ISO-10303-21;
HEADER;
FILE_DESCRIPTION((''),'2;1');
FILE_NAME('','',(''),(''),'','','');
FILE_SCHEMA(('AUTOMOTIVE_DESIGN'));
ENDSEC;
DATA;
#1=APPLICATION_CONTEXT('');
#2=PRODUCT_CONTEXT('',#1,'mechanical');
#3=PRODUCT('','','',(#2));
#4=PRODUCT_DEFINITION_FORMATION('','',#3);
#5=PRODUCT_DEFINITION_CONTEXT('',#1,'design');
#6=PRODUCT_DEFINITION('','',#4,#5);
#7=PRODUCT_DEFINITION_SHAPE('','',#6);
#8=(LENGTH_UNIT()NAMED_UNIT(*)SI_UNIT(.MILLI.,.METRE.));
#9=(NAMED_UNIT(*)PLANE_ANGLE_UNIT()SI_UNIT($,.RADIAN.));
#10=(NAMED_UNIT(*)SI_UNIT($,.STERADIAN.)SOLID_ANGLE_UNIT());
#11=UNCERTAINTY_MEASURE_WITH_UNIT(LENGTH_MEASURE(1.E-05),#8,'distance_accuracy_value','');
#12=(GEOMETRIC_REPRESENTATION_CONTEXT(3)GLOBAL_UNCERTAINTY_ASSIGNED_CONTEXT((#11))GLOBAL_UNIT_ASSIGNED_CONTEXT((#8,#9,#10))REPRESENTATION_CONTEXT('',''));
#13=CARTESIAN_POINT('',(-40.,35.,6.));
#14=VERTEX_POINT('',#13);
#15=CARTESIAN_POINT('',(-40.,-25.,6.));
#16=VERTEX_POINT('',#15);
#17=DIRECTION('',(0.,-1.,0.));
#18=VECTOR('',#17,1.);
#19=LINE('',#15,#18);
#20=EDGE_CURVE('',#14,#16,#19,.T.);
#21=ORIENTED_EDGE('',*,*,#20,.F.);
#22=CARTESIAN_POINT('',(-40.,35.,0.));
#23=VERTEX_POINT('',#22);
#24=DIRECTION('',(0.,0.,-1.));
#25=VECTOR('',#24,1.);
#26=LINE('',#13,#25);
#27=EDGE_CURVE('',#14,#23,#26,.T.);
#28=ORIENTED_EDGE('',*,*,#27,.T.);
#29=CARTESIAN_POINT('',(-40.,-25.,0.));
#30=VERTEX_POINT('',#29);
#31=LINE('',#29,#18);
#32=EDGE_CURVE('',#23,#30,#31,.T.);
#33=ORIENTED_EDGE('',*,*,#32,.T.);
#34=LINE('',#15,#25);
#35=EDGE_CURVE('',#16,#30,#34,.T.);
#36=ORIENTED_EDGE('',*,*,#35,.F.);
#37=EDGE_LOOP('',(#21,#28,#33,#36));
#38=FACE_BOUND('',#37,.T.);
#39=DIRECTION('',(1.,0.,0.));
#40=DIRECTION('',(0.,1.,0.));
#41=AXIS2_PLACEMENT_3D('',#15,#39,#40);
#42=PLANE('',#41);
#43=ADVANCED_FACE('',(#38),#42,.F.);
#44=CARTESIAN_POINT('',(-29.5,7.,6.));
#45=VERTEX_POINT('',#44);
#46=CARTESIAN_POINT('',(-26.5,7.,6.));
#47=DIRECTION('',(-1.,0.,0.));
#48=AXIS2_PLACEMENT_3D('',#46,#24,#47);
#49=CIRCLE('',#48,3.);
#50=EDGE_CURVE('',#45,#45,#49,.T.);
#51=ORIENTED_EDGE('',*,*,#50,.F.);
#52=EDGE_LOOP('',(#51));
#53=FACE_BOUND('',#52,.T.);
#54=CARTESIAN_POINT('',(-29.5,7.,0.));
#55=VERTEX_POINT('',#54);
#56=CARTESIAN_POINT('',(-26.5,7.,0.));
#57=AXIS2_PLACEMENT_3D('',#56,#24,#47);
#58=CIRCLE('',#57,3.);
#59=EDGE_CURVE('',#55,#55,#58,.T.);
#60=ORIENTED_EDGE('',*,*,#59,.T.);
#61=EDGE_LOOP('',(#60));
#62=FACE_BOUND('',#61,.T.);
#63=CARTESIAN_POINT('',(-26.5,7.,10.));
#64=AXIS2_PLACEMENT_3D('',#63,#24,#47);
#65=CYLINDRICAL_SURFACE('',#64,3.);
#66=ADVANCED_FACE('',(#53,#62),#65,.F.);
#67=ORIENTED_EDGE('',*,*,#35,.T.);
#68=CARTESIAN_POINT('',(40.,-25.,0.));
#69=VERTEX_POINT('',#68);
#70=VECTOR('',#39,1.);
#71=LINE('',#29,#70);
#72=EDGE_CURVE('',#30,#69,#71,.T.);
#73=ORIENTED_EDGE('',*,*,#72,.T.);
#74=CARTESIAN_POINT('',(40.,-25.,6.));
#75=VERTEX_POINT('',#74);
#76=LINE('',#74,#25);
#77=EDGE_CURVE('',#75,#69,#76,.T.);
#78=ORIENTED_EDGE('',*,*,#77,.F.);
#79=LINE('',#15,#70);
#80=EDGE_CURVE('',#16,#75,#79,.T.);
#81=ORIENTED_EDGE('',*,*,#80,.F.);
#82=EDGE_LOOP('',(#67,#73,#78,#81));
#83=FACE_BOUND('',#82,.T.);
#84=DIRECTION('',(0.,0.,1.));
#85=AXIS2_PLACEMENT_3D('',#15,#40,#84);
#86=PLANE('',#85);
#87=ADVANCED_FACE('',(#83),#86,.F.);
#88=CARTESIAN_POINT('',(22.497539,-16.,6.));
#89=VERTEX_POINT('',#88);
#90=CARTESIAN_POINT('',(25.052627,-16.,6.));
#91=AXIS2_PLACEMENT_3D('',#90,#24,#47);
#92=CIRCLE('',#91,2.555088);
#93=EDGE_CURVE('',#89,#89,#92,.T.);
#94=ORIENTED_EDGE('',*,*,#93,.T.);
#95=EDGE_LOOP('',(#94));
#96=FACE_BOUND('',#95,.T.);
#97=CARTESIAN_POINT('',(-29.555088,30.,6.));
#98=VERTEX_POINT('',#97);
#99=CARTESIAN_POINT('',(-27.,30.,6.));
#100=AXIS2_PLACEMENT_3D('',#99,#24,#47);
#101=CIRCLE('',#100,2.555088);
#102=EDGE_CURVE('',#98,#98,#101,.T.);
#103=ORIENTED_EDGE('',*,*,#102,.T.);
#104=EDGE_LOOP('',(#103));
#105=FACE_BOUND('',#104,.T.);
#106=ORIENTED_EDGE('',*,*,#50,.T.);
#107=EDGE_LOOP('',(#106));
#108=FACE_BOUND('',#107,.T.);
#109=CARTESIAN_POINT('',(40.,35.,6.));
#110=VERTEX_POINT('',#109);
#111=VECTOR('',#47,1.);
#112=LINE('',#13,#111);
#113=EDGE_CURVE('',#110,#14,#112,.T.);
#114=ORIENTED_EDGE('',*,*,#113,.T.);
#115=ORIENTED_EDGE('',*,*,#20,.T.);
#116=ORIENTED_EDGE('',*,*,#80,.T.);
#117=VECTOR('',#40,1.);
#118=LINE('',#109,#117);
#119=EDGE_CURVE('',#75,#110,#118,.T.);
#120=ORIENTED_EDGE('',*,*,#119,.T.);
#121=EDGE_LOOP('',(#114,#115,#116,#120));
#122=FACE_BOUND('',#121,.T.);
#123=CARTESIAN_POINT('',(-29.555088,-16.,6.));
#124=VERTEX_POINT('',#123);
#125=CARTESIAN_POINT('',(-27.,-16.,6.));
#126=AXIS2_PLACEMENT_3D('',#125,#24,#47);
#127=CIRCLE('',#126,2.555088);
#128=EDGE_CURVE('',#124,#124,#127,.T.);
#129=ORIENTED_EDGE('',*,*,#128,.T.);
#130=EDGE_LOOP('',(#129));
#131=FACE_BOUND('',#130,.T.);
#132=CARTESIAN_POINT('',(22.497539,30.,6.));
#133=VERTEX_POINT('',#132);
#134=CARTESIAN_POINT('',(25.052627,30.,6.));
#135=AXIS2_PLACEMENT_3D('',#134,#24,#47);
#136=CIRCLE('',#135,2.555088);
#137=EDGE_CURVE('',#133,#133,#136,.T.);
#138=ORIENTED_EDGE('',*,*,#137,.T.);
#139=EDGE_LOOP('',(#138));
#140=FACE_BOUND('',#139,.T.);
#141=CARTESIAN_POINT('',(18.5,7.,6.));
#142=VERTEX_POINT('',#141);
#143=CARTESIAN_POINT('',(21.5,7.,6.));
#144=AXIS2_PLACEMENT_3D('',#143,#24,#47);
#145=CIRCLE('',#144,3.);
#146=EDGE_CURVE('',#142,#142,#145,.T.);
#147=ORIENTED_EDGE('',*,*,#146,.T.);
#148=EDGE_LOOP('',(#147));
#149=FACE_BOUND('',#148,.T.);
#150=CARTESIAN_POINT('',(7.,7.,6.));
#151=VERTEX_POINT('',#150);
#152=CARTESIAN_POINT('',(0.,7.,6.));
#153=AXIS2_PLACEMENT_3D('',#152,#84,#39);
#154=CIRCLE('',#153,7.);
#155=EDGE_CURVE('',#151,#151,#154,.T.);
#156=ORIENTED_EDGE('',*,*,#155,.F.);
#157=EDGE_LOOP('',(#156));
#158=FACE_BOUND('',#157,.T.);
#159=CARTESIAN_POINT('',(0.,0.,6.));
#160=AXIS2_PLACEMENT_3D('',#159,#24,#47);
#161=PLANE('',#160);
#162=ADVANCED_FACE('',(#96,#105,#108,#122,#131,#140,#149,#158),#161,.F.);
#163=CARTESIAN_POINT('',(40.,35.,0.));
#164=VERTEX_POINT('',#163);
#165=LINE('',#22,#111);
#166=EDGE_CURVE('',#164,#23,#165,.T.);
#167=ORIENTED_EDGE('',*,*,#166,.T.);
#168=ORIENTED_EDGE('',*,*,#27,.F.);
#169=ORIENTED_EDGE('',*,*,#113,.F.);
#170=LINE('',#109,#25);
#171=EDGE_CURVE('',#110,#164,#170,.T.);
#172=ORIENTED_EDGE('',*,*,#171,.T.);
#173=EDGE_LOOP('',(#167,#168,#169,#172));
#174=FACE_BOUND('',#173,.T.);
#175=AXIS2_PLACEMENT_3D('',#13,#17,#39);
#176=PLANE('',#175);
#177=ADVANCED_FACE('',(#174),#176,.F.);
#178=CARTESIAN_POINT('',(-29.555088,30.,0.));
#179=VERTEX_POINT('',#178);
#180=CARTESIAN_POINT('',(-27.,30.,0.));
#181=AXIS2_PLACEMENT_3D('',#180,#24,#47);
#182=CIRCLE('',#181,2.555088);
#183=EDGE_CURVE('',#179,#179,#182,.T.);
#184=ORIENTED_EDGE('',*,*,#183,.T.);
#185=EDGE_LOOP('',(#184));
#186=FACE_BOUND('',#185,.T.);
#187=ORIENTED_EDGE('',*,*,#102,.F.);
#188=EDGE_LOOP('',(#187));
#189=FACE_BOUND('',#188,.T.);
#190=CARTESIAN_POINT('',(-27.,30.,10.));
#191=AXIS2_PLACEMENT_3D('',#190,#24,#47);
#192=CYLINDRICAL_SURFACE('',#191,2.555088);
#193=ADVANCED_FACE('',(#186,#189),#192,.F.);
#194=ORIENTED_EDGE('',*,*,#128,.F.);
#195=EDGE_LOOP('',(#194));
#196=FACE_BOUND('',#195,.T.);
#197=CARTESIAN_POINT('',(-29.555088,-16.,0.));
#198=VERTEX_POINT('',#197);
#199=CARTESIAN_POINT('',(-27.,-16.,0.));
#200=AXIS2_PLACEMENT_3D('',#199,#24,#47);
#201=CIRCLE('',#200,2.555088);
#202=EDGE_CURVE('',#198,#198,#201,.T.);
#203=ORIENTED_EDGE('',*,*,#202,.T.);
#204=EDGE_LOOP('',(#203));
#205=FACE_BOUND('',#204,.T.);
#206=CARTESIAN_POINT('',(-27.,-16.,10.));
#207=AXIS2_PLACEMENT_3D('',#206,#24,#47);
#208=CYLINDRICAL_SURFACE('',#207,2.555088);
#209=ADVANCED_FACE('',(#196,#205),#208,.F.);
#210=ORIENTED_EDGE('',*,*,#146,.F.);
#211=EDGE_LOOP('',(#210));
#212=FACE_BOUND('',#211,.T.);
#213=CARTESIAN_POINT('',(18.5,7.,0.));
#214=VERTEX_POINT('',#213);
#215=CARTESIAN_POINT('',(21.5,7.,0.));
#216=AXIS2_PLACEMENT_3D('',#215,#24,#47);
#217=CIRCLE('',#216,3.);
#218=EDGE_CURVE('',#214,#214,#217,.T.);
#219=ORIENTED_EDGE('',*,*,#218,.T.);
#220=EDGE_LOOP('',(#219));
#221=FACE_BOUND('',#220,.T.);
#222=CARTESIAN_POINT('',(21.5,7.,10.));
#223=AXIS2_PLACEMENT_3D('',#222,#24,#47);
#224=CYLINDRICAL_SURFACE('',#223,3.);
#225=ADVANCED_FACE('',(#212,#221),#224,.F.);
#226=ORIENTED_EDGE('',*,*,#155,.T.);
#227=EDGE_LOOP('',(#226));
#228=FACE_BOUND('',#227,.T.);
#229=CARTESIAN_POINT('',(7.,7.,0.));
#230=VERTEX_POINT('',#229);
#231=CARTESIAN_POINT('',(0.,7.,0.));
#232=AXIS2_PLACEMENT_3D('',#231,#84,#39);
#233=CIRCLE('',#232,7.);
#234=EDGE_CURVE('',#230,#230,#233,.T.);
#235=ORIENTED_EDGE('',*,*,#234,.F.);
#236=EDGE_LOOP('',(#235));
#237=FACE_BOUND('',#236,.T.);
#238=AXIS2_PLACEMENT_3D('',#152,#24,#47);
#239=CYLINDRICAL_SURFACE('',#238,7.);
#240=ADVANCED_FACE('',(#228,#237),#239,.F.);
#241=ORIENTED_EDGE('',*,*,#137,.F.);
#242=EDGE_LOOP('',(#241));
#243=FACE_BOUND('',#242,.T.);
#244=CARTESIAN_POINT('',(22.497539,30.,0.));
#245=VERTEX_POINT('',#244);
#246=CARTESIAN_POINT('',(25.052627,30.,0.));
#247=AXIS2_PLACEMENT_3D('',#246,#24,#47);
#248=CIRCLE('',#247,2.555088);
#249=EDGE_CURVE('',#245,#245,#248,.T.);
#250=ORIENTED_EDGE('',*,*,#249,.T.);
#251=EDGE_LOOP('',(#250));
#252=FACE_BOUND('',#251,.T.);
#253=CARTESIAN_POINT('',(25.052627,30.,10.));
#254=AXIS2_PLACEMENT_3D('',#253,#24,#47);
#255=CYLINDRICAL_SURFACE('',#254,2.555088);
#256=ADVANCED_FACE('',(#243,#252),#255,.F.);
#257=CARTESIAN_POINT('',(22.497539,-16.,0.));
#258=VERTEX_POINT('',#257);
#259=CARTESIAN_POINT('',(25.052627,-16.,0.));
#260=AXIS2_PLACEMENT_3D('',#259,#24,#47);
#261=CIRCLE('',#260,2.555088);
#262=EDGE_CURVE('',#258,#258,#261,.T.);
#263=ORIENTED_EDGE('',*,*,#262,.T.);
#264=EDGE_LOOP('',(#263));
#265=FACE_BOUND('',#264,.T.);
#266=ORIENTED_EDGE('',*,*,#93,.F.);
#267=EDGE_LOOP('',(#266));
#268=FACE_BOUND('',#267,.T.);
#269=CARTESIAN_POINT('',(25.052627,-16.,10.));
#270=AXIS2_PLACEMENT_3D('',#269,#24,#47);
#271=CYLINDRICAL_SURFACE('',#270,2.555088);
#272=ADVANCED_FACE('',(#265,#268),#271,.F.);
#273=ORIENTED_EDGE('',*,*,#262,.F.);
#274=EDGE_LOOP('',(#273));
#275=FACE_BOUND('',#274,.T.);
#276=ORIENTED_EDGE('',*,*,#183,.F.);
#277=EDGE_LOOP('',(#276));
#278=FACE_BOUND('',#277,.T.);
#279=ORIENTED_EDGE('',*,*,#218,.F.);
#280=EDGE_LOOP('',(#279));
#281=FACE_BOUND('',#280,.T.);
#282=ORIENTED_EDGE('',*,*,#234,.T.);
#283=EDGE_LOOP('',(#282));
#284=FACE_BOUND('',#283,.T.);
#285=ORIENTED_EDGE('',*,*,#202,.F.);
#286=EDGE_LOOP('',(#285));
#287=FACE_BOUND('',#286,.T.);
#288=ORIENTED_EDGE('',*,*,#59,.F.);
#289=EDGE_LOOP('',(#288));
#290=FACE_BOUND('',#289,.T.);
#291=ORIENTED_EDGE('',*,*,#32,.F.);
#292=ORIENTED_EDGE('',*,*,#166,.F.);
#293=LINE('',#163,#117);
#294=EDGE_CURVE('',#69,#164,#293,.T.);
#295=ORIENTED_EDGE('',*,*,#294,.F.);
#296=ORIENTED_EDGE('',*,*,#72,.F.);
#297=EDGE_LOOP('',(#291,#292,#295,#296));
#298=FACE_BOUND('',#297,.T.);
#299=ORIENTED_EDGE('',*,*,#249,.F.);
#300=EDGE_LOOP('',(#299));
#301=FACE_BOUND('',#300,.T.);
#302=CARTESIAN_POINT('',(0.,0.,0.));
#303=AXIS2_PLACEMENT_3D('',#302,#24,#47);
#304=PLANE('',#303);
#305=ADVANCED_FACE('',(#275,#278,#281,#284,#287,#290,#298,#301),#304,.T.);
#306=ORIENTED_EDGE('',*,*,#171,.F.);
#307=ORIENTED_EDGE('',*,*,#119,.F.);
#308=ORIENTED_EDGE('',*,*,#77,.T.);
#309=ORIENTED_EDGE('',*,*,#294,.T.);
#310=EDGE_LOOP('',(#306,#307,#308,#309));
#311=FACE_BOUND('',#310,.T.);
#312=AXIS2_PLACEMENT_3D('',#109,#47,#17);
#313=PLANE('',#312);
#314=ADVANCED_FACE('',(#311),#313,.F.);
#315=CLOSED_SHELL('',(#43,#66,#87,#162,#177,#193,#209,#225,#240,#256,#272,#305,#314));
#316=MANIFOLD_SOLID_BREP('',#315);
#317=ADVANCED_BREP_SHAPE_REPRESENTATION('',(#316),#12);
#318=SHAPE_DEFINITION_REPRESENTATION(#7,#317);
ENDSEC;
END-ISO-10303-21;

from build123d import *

# Parameters (mm, degrees)
SKETCH_1_W          = 80
SKETCH_1_H          = 60
SKETCH_1_R          = 7
EXTRUDE_1_DEPTH     = 6
SKETCH_2_R          = 3
SKETCH_2_R_2        = 2.555087711
CUT_EXTRUDE_1_DEPTH = 10


with BuildPart() as part:
    # 草图1 → 凸台-拉伸1 (new body)
    with BuildSketch(Plane.XY):
        with Locations((0, 5)):
            Rectangle(SKETCH_1_W, SKETCH_1_H)
        with Locations((0, 7)):
            Circle(SKETCH_1_R, mode=Mode.SUBTRACT)
    extrude(amount=EXTRUDE_1_DEPTH)

    # 草图2 → 切除-拉伸1 (cut)
    with BuildSketch(Plane(origin=(0, 0, 0), x_dir=(-1, 0, 0), z_dir=(0, 0, -1))):
        with Locations((-21.5, 7)):
            Circle(SKETCH_2_R)
        with Locations((26.5, 7)):
            Circle(SKETCH_2_R)
        with Locations((27, 30)):
            Circle(SKETCH_2_R_2)
        with Locations((27, -16)):
            Circle(SKETCH_2_R_2)
        with Locations((-25.052626778, -16)):
            Circle(SKETCH_2_R_2)
        with Locations((-25.052626778, 30)):
            Circle(SKETCH_2_R_2)
    extrude(amount=-CUT_EXTRUDE_1_DEPTH, mode=Mode.SUBTRACT)


solid = part.part
